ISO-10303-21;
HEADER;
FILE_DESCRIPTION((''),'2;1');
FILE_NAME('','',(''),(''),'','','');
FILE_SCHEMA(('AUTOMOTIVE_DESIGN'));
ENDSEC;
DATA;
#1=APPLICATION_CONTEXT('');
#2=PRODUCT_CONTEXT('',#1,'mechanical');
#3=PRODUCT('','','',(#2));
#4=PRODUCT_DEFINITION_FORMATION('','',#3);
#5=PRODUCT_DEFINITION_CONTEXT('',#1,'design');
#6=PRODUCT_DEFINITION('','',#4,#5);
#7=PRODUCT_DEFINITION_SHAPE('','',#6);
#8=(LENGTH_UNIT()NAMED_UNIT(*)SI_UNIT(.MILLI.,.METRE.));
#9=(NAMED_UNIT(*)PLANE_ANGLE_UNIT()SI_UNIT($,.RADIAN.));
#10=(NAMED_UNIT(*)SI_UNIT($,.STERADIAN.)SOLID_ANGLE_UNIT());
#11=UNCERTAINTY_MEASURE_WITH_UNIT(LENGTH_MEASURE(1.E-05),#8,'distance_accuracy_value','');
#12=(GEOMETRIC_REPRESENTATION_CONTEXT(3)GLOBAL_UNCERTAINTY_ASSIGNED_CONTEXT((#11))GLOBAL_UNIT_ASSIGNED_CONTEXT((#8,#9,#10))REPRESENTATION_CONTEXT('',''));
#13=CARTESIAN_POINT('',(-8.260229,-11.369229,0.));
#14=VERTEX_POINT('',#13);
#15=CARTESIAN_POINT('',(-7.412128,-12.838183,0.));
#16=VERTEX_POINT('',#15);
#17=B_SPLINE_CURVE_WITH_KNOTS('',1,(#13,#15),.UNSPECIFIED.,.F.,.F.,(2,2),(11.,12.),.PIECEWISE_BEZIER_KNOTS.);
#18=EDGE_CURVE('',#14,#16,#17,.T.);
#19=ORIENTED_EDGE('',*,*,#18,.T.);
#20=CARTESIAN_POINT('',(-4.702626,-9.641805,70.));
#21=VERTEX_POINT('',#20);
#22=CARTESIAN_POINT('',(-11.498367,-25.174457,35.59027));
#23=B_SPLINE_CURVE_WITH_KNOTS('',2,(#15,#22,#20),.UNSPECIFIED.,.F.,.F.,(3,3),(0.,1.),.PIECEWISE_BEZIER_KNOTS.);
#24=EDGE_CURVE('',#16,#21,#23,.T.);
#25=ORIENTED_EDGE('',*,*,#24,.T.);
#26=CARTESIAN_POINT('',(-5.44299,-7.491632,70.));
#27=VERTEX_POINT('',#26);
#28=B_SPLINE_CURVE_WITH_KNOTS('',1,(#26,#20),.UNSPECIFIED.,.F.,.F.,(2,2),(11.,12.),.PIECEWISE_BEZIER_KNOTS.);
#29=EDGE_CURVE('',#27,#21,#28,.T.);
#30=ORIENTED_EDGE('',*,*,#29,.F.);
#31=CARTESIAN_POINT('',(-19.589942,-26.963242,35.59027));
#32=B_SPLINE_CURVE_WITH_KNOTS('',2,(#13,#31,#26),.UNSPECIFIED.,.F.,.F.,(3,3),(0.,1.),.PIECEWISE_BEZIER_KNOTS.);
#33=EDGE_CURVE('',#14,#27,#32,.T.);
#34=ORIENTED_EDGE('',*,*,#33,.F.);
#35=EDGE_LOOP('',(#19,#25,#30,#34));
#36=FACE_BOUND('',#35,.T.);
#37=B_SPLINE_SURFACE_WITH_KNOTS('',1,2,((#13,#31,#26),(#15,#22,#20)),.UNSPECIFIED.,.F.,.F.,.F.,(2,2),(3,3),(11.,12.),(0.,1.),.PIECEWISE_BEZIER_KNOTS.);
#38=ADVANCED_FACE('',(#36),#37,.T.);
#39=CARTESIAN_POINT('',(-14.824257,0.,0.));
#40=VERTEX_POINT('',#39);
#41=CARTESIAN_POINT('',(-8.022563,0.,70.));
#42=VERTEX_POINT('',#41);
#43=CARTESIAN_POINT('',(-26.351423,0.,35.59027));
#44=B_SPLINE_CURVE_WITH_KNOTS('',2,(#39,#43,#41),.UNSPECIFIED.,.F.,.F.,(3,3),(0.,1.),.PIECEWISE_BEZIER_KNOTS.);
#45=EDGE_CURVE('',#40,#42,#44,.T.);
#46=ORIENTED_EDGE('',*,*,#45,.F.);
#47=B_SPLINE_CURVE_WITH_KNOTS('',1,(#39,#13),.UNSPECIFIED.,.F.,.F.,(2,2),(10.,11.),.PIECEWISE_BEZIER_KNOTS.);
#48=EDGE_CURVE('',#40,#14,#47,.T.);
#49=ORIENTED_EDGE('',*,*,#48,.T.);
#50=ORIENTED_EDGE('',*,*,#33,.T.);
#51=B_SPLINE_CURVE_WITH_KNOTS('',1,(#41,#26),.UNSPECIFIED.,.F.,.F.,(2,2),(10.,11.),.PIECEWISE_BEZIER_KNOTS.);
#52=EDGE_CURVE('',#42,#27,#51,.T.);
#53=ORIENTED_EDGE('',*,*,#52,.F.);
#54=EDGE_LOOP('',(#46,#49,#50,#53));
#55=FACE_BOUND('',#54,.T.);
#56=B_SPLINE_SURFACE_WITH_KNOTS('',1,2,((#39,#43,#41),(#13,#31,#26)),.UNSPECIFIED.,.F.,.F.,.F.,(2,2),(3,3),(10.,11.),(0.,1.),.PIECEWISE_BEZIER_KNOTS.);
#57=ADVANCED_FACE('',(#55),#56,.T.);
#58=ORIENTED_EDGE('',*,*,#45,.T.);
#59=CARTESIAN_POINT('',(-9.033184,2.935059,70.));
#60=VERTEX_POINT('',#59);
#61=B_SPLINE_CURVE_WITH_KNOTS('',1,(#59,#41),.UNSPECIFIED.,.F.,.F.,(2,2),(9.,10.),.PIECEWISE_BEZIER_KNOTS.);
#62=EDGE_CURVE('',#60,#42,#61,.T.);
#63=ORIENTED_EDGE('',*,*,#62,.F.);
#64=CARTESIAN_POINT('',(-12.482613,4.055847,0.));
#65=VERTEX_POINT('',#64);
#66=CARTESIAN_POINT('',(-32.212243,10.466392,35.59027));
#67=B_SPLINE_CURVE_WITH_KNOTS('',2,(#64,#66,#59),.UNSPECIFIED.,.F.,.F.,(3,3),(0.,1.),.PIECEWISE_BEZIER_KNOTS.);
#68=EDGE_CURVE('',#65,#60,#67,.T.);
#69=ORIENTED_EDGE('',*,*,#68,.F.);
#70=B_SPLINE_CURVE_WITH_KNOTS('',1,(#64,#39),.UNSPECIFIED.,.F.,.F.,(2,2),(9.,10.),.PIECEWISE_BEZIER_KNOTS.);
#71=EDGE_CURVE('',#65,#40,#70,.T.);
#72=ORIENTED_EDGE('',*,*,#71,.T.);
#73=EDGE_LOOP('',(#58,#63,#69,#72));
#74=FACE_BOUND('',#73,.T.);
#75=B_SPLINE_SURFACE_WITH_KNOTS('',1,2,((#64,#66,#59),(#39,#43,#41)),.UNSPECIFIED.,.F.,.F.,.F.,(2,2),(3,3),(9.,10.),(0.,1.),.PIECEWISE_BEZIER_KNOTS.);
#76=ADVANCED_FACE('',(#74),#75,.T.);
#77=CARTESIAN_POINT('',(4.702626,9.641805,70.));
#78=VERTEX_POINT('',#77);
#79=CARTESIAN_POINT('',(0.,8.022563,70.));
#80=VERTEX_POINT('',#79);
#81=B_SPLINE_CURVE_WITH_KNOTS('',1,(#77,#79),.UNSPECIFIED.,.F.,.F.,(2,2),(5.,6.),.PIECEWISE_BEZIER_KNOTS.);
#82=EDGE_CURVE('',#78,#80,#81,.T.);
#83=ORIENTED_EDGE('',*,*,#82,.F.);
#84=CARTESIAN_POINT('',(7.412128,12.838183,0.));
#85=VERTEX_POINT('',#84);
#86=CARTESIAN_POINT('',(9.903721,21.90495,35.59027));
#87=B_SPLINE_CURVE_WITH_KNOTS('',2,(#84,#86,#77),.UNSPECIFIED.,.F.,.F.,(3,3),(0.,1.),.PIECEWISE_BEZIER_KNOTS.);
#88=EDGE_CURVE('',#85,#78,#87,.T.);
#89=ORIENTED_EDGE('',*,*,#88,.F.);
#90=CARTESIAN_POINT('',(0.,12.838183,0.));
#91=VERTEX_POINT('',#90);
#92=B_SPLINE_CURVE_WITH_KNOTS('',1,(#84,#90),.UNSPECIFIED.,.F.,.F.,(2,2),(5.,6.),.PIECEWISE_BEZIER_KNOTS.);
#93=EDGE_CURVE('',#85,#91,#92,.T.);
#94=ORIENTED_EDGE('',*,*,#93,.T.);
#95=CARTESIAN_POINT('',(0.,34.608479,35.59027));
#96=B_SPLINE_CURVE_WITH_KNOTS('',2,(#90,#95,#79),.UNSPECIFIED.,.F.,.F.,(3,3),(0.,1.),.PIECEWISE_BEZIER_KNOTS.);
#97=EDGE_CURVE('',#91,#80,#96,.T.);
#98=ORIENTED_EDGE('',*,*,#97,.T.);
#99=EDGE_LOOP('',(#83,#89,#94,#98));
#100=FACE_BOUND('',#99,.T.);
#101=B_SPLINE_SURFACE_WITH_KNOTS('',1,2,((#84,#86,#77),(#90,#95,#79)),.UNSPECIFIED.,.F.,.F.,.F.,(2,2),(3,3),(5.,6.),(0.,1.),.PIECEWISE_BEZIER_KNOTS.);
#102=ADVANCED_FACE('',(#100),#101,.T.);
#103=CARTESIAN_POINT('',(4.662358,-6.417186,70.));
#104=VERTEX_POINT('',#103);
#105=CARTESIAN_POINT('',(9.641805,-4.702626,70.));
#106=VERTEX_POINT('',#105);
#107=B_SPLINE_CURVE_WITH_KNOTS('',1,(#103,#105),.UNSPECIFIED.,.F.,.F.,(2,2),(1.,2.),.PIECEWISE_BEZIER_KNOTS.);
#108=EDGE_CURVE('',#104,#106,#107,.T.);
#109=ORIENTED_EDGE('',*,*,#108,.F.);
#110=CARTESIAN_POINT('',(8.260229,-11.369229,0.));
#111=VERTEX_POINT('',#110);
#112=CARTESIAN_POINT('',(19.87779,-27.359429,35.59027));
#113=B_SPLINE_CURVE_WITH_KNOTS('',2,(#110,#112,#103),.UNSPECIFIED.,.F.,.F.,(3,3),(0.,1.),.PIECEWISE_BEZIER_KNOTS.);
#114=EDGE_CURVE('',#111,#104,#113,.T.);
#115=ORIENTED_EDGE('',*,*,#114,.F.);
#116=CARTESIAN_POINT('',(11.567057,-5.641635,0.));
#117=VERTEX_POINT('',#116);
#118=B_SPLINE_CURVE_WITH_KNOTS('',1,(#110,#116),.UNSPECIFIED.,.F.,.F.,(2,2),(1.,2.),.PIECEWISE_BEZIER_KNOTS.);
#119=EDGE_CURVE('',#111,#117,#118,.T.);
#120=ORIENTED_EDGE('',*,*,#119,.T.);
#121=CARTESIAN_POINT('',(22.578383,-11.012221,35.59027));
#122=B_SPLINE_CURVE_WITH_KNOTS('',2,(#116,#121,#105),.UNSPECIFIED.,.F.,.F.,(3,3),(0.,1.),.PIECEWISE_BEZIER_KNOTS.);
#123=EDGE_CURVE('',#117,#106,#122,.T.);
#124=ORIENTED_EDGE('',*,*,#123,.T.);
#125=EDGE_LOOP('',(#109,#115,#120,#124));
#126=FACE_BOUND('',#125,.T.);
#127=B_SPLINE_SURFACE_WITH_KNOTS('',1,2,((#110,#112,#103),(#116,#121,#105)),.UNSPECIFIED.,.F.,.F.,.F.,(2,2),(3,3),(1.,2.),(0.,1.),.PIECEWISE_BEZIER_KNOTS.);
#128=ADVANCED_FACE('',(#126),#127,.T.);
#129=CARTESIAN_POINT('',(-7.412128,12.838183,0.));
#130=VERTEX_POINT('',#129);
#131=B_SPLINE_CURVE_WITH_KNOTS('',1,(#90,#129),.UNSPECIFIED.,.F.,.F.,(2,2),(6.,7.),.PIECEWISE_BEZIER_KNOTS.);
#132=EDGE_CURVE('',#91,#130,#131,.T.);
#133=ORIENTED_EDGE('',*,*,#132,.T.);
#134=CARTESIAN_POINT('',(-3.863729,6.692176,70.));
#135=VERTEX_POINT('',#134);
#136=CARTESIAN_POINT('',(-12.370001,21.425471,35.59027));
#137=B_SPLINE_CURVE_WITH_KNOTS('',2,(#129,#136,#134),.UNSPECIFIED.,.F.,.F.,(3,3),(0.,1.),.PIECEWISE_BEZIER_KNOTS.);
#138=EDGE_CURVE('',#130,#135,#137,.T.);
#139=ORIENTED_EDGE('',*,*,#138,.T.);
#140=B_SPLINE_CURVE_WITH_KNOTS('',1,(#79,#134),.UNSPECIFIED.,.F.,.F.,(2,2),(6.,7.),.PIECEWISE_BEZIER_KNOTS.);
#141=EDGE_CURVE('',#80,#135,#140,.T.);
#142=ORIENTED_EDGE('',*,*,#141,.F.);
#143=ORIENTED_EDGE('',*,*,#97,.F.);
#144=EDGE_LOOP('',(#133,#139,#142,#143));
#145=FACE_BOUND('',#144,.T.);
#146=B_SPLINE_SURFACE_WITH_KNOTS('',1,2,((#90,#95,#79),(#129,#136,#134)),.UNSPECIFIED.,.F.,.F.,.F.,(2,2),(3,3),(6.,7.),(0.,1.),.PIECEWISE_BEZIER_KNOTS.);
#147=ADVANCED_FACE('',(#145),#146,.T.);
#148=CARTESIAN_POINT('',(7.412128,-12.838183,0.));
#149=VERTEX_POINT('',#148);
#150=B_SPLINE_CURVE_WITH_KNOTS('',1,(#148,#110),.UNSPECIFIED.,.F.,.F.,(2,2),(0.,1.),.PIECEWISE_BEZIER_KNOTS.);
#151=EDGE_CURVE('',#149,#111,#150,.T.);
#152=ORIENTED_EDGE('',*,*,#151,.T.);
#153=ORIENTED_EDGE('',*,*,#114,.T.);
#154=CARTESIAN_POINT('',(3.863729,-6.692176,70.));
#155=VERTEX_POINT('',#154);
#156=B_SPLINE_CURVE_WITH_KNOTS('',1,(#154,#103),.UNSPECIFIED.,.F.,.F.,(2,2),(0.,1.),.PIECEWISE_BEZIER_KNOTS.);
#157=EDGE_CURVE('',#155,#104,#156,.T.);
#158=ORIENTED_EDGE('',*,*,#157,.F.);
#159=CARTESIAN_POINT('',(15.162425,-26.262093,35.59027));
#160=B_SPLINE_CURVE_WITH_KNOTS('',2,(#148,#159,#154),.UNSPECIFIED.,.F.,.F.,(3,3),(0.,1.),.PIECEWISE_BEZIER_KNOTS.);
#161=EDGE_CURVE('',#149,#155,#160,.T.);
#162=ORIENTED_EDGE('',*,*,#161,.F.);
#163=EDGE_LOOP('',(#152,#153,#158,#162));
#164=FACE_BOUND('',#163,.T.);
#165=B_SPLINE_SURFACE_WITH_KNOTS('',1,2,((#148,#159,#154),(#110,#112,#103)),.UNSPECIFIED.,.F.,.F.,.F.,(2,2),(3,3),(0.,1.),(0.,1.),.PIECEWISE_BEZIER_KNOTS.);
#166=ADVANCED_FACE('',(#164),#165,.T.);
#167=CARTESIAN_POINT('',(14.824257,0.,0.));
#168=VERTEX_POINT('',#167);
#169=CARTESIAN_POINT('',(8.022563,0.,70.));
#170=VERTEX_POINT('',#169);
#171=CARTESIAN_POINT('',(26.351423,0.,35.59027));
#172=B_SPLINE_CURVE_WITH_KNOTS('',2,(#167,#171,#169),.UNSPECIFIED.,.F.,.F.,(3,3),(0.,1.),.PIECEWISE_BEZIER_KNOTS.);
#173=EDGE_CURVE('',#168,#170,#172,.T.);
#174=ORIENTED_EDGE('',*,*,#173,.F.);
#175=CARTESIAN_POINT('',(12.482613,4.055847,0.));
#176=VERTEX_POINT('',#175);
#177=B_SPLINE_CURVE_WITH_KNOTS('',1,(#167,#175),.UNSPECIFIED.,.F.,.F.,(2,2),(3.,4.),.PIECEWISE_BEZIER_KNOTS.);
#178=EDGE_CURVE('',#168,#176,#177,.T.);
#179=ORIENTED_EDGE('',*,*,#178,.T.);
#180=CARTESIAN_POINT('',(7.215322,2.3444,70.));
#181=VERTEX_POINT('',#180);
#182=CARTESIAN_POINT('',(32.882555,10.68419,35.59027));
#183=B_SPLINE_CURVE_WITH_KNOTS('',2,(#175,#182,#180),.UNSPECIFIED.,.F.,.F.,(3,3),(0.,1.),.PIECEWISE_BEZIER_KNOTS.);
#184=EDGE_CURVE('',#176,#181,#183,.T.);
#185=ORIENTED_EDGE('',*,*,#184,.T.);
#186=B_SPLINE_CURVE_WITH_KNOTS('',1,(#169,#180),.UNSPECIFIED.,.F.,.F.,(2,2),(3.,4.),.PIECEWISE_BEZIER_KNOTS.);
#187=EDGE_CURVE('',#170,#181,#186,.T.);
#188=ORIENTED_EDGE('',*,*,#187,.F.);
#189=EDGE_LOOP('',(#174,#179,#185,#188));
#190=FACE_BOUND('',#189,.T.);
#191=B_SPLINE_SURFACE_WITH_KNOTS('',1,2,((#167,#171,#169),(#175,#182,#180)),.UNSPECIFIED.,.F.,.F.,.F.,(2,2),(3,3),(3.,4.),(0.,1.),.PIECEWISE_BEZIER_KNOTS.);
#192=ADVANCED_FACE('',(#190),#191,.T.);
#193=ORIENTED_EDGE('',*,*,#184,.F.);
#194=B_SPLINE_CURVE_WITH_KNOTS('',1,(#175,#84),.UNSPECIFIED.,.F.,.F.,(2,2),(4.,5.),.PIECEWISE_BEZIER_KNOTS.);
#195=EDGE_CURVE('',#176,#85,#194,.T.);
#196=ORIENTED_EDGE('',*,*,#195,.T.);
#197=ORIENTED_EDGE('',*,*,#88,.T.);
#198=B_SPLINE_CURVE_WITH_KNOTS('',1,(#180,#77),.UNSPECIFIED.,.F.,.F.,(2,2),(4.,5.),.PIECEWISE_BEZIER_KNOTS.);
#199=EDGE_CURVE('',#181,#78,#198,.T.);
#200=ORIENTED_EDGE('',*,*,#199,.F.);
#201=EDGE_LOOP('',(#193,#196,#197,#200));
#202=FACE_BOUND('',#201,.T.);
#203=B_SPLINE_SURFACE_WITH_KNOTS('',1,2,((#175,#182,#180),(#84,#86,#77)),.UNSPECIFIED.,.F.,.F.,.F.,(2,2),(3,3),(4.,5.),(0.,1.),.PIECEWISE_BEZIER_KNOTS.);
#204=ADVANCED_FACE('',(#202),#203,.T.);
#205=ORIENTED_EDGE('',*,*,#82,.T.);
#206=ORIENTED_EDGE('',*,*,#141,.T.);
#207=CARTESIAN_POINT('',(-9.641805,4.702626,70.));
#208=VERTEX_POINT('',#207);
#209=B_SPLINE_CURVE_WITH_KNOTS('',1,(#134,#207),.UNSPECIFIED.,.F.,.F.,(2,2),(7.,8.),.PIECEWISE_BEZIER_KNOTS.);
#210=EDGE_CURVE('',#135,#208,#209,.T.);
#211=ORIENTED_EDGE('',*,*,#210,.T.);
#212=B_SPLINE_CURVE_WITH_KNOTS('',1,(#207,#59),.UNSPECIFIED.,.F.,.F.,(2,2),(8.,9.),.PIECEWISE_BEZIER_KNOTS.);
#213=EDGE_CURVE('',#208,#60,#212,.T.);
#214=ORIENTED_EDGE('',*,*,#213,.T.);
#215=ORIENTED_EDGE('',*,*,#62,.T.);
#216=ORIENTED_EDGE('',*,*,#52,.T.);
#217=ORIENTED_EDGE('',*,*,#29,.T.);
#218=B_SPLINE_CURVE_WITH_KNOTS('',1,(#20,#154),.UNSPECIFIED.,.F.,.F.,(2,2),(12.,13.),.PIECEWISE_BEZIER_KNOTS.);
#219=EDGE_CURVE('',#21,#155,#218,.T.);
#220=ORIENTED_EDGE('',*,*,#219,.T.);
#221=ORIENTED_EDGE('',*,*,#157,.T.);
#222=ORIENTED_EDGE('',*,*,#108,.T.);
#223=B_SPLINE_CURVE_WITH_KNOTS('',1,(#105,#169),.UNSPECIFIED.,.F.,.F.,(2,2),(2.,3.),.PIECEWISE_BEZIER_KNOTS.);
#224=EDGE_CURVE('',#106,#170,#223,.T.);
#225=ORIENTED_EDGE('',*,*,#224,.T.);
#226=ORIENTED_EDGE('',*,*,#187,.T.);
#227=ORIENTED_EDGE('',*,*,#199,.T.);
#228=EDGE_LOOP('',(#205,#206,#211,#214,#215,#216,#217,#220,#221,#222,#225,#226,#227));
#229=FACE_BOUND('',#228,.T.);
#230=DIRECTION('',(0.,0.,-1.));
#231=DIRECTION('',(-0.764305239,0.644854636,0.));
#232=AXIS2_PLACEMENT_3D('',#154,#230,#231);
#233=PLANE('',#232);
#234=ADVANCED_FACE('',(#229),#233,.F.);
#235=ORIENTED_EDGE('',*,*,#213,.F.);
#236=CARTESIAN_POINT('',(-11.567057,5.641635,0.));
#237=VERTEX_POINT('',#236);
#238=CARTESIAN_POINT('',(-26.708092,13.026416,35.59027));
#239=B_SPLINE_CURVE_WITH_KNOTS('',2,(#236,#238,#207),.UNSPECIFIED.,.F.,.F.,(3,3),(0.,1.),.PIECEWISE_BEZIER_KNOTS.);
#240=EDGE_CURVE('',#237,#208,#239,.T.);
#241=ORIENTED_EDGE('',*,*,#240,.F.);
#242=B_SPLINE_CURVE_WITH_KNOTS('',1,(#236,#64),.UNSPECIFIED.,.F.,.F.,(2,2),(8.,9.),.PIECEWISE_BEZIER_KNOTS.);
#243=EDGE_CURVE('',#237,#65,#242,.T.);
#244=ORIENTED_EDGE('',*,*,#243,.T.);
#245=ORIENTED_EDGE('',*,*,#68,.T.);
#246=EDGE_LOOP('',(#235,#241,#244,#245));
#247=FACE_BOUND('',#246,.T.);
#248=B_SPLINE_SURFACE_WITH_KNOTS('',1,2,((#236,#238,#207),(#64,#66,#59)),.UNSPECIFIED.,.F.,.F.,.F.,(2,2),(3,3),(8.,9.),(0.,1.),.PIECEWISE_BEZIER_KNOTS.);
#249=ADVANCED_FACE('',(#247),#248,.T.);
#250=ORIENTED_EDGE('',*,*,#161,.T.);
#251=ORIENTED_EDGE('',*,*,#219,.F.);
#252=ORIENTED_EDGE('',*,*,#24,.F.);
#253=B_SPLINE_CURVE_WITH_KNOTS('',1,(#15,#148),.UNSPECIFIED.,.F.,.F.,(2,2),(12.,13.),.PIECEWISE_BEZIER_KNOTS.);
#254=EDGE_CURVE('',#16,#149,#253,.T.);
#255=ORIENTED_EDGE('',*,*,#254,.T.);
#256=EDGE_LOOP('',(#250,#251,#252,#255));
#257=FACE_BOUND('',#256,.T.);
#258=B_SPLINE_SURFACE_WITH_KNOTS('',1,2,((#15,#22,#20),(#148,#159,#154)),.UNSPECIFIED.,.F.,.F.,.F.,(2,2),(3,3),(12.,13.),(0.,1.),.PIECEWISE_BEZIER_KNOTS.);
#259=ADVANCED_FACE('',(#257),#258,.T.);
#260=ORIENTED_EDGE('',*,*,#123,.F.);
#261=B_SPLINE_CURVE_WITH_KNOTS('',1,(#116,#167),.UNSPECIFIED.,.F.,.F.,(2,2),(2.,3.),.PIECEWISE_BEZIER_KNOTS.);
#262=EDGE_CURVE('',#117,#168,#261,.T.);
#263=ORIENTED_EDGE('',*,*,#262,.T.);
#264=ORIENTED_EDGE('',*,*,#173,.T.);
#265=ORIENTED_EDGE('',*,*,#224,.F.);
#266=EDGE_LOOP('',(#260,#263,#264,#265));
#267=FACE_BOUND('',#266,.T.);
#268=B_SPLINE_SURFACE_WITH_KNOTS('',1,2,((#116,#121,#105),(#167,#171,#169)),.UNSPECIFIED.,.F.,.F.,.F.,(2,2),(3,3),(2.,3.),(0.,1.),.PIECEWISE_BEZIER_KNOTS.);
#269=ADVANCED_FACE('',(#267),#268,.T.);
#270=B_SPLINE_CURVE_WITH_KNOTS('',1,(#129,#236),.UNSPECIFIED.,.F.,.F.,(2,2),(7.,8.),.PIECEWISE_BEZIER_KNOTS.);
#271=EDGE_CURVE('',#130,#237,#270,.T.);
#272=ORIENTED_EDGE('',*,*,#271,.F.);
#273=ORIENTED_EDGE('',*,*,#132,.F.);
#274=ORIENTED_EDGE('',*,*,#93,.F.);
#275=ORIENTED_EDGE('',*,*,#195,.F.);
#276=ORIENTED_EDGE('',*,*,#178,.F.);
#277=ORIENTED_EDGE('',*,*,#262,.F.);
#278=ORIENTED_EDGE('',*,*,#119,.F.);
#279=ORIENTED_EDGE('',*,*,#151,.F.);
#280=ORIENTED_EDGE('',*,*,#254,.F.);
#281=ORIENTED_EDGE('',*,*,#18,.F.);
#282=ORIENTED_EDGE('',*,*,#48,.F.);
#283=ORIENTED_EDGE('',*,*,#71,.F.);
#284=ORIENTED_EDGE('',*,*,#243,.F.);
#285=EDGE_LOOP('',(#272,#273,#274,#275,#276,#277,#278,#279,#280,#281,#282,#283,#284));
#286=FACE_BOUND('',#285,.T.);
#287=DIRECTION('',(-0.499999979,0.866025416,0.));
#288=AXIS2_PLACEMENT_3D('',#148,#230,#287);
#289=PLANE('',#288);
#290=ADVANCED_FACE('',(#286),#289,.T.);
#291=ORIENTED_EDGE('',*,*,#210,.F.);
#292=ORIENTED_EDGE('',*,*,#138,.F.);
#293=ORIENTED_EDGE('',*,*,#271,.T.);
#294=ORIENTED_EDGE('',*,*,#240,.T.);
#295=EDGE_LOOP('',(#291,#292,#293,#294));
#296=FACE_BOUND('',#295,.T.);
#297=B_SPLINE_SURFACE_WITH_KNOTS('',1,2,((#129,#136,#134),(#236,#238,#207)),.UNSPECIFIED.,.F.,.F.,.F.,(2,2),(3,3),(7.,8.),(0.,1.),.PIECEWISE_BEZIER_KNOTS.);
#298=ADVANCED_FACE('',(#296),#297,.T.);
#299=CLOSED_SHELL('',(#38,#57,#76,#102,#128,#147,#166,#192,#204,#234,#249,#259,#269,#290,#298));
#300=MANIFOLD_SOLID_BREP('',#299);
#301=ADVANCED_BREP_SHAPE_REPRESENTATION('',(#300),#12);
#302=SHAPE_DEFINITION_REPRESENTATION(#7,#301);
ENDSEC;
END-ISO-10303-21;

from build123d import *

# Parameters (mm, degrees)
SKETCH002_W = 15.170966
SKETCH002_H = 15.170966


with BuildPart() as part:
    # Sketch → Loft section 0
    with BuildSketch(Plane.XY):
        Polygon((7.412128, -12.838183), (14.824257, 0), (7.412128, 12.838183), (-7.412128, 12.838183), (-14.824257, 0), (-7.412128, -12.838183), align=None)
    # Sketch001 → Loft section 1
    with BuildSketch(Plane.XY.offset(30)):
        Polygon((13.288204, -18.289643), (21.500765, 6.986022), (0, 22.607242), (-21.500765, 6.986022), (-13.288204, -18.289643), align=None)
    # Sketch002 → Loft section 2
    with BuildSketch(Plane(origin=(0, 0, 70), x_dir=(0.945519, 0.325568, 0), z_dir=(0, 0, 1))):
        Rectangle(SKETCH002_W, SKETCH002_H)
    loft()


solid = part.part
